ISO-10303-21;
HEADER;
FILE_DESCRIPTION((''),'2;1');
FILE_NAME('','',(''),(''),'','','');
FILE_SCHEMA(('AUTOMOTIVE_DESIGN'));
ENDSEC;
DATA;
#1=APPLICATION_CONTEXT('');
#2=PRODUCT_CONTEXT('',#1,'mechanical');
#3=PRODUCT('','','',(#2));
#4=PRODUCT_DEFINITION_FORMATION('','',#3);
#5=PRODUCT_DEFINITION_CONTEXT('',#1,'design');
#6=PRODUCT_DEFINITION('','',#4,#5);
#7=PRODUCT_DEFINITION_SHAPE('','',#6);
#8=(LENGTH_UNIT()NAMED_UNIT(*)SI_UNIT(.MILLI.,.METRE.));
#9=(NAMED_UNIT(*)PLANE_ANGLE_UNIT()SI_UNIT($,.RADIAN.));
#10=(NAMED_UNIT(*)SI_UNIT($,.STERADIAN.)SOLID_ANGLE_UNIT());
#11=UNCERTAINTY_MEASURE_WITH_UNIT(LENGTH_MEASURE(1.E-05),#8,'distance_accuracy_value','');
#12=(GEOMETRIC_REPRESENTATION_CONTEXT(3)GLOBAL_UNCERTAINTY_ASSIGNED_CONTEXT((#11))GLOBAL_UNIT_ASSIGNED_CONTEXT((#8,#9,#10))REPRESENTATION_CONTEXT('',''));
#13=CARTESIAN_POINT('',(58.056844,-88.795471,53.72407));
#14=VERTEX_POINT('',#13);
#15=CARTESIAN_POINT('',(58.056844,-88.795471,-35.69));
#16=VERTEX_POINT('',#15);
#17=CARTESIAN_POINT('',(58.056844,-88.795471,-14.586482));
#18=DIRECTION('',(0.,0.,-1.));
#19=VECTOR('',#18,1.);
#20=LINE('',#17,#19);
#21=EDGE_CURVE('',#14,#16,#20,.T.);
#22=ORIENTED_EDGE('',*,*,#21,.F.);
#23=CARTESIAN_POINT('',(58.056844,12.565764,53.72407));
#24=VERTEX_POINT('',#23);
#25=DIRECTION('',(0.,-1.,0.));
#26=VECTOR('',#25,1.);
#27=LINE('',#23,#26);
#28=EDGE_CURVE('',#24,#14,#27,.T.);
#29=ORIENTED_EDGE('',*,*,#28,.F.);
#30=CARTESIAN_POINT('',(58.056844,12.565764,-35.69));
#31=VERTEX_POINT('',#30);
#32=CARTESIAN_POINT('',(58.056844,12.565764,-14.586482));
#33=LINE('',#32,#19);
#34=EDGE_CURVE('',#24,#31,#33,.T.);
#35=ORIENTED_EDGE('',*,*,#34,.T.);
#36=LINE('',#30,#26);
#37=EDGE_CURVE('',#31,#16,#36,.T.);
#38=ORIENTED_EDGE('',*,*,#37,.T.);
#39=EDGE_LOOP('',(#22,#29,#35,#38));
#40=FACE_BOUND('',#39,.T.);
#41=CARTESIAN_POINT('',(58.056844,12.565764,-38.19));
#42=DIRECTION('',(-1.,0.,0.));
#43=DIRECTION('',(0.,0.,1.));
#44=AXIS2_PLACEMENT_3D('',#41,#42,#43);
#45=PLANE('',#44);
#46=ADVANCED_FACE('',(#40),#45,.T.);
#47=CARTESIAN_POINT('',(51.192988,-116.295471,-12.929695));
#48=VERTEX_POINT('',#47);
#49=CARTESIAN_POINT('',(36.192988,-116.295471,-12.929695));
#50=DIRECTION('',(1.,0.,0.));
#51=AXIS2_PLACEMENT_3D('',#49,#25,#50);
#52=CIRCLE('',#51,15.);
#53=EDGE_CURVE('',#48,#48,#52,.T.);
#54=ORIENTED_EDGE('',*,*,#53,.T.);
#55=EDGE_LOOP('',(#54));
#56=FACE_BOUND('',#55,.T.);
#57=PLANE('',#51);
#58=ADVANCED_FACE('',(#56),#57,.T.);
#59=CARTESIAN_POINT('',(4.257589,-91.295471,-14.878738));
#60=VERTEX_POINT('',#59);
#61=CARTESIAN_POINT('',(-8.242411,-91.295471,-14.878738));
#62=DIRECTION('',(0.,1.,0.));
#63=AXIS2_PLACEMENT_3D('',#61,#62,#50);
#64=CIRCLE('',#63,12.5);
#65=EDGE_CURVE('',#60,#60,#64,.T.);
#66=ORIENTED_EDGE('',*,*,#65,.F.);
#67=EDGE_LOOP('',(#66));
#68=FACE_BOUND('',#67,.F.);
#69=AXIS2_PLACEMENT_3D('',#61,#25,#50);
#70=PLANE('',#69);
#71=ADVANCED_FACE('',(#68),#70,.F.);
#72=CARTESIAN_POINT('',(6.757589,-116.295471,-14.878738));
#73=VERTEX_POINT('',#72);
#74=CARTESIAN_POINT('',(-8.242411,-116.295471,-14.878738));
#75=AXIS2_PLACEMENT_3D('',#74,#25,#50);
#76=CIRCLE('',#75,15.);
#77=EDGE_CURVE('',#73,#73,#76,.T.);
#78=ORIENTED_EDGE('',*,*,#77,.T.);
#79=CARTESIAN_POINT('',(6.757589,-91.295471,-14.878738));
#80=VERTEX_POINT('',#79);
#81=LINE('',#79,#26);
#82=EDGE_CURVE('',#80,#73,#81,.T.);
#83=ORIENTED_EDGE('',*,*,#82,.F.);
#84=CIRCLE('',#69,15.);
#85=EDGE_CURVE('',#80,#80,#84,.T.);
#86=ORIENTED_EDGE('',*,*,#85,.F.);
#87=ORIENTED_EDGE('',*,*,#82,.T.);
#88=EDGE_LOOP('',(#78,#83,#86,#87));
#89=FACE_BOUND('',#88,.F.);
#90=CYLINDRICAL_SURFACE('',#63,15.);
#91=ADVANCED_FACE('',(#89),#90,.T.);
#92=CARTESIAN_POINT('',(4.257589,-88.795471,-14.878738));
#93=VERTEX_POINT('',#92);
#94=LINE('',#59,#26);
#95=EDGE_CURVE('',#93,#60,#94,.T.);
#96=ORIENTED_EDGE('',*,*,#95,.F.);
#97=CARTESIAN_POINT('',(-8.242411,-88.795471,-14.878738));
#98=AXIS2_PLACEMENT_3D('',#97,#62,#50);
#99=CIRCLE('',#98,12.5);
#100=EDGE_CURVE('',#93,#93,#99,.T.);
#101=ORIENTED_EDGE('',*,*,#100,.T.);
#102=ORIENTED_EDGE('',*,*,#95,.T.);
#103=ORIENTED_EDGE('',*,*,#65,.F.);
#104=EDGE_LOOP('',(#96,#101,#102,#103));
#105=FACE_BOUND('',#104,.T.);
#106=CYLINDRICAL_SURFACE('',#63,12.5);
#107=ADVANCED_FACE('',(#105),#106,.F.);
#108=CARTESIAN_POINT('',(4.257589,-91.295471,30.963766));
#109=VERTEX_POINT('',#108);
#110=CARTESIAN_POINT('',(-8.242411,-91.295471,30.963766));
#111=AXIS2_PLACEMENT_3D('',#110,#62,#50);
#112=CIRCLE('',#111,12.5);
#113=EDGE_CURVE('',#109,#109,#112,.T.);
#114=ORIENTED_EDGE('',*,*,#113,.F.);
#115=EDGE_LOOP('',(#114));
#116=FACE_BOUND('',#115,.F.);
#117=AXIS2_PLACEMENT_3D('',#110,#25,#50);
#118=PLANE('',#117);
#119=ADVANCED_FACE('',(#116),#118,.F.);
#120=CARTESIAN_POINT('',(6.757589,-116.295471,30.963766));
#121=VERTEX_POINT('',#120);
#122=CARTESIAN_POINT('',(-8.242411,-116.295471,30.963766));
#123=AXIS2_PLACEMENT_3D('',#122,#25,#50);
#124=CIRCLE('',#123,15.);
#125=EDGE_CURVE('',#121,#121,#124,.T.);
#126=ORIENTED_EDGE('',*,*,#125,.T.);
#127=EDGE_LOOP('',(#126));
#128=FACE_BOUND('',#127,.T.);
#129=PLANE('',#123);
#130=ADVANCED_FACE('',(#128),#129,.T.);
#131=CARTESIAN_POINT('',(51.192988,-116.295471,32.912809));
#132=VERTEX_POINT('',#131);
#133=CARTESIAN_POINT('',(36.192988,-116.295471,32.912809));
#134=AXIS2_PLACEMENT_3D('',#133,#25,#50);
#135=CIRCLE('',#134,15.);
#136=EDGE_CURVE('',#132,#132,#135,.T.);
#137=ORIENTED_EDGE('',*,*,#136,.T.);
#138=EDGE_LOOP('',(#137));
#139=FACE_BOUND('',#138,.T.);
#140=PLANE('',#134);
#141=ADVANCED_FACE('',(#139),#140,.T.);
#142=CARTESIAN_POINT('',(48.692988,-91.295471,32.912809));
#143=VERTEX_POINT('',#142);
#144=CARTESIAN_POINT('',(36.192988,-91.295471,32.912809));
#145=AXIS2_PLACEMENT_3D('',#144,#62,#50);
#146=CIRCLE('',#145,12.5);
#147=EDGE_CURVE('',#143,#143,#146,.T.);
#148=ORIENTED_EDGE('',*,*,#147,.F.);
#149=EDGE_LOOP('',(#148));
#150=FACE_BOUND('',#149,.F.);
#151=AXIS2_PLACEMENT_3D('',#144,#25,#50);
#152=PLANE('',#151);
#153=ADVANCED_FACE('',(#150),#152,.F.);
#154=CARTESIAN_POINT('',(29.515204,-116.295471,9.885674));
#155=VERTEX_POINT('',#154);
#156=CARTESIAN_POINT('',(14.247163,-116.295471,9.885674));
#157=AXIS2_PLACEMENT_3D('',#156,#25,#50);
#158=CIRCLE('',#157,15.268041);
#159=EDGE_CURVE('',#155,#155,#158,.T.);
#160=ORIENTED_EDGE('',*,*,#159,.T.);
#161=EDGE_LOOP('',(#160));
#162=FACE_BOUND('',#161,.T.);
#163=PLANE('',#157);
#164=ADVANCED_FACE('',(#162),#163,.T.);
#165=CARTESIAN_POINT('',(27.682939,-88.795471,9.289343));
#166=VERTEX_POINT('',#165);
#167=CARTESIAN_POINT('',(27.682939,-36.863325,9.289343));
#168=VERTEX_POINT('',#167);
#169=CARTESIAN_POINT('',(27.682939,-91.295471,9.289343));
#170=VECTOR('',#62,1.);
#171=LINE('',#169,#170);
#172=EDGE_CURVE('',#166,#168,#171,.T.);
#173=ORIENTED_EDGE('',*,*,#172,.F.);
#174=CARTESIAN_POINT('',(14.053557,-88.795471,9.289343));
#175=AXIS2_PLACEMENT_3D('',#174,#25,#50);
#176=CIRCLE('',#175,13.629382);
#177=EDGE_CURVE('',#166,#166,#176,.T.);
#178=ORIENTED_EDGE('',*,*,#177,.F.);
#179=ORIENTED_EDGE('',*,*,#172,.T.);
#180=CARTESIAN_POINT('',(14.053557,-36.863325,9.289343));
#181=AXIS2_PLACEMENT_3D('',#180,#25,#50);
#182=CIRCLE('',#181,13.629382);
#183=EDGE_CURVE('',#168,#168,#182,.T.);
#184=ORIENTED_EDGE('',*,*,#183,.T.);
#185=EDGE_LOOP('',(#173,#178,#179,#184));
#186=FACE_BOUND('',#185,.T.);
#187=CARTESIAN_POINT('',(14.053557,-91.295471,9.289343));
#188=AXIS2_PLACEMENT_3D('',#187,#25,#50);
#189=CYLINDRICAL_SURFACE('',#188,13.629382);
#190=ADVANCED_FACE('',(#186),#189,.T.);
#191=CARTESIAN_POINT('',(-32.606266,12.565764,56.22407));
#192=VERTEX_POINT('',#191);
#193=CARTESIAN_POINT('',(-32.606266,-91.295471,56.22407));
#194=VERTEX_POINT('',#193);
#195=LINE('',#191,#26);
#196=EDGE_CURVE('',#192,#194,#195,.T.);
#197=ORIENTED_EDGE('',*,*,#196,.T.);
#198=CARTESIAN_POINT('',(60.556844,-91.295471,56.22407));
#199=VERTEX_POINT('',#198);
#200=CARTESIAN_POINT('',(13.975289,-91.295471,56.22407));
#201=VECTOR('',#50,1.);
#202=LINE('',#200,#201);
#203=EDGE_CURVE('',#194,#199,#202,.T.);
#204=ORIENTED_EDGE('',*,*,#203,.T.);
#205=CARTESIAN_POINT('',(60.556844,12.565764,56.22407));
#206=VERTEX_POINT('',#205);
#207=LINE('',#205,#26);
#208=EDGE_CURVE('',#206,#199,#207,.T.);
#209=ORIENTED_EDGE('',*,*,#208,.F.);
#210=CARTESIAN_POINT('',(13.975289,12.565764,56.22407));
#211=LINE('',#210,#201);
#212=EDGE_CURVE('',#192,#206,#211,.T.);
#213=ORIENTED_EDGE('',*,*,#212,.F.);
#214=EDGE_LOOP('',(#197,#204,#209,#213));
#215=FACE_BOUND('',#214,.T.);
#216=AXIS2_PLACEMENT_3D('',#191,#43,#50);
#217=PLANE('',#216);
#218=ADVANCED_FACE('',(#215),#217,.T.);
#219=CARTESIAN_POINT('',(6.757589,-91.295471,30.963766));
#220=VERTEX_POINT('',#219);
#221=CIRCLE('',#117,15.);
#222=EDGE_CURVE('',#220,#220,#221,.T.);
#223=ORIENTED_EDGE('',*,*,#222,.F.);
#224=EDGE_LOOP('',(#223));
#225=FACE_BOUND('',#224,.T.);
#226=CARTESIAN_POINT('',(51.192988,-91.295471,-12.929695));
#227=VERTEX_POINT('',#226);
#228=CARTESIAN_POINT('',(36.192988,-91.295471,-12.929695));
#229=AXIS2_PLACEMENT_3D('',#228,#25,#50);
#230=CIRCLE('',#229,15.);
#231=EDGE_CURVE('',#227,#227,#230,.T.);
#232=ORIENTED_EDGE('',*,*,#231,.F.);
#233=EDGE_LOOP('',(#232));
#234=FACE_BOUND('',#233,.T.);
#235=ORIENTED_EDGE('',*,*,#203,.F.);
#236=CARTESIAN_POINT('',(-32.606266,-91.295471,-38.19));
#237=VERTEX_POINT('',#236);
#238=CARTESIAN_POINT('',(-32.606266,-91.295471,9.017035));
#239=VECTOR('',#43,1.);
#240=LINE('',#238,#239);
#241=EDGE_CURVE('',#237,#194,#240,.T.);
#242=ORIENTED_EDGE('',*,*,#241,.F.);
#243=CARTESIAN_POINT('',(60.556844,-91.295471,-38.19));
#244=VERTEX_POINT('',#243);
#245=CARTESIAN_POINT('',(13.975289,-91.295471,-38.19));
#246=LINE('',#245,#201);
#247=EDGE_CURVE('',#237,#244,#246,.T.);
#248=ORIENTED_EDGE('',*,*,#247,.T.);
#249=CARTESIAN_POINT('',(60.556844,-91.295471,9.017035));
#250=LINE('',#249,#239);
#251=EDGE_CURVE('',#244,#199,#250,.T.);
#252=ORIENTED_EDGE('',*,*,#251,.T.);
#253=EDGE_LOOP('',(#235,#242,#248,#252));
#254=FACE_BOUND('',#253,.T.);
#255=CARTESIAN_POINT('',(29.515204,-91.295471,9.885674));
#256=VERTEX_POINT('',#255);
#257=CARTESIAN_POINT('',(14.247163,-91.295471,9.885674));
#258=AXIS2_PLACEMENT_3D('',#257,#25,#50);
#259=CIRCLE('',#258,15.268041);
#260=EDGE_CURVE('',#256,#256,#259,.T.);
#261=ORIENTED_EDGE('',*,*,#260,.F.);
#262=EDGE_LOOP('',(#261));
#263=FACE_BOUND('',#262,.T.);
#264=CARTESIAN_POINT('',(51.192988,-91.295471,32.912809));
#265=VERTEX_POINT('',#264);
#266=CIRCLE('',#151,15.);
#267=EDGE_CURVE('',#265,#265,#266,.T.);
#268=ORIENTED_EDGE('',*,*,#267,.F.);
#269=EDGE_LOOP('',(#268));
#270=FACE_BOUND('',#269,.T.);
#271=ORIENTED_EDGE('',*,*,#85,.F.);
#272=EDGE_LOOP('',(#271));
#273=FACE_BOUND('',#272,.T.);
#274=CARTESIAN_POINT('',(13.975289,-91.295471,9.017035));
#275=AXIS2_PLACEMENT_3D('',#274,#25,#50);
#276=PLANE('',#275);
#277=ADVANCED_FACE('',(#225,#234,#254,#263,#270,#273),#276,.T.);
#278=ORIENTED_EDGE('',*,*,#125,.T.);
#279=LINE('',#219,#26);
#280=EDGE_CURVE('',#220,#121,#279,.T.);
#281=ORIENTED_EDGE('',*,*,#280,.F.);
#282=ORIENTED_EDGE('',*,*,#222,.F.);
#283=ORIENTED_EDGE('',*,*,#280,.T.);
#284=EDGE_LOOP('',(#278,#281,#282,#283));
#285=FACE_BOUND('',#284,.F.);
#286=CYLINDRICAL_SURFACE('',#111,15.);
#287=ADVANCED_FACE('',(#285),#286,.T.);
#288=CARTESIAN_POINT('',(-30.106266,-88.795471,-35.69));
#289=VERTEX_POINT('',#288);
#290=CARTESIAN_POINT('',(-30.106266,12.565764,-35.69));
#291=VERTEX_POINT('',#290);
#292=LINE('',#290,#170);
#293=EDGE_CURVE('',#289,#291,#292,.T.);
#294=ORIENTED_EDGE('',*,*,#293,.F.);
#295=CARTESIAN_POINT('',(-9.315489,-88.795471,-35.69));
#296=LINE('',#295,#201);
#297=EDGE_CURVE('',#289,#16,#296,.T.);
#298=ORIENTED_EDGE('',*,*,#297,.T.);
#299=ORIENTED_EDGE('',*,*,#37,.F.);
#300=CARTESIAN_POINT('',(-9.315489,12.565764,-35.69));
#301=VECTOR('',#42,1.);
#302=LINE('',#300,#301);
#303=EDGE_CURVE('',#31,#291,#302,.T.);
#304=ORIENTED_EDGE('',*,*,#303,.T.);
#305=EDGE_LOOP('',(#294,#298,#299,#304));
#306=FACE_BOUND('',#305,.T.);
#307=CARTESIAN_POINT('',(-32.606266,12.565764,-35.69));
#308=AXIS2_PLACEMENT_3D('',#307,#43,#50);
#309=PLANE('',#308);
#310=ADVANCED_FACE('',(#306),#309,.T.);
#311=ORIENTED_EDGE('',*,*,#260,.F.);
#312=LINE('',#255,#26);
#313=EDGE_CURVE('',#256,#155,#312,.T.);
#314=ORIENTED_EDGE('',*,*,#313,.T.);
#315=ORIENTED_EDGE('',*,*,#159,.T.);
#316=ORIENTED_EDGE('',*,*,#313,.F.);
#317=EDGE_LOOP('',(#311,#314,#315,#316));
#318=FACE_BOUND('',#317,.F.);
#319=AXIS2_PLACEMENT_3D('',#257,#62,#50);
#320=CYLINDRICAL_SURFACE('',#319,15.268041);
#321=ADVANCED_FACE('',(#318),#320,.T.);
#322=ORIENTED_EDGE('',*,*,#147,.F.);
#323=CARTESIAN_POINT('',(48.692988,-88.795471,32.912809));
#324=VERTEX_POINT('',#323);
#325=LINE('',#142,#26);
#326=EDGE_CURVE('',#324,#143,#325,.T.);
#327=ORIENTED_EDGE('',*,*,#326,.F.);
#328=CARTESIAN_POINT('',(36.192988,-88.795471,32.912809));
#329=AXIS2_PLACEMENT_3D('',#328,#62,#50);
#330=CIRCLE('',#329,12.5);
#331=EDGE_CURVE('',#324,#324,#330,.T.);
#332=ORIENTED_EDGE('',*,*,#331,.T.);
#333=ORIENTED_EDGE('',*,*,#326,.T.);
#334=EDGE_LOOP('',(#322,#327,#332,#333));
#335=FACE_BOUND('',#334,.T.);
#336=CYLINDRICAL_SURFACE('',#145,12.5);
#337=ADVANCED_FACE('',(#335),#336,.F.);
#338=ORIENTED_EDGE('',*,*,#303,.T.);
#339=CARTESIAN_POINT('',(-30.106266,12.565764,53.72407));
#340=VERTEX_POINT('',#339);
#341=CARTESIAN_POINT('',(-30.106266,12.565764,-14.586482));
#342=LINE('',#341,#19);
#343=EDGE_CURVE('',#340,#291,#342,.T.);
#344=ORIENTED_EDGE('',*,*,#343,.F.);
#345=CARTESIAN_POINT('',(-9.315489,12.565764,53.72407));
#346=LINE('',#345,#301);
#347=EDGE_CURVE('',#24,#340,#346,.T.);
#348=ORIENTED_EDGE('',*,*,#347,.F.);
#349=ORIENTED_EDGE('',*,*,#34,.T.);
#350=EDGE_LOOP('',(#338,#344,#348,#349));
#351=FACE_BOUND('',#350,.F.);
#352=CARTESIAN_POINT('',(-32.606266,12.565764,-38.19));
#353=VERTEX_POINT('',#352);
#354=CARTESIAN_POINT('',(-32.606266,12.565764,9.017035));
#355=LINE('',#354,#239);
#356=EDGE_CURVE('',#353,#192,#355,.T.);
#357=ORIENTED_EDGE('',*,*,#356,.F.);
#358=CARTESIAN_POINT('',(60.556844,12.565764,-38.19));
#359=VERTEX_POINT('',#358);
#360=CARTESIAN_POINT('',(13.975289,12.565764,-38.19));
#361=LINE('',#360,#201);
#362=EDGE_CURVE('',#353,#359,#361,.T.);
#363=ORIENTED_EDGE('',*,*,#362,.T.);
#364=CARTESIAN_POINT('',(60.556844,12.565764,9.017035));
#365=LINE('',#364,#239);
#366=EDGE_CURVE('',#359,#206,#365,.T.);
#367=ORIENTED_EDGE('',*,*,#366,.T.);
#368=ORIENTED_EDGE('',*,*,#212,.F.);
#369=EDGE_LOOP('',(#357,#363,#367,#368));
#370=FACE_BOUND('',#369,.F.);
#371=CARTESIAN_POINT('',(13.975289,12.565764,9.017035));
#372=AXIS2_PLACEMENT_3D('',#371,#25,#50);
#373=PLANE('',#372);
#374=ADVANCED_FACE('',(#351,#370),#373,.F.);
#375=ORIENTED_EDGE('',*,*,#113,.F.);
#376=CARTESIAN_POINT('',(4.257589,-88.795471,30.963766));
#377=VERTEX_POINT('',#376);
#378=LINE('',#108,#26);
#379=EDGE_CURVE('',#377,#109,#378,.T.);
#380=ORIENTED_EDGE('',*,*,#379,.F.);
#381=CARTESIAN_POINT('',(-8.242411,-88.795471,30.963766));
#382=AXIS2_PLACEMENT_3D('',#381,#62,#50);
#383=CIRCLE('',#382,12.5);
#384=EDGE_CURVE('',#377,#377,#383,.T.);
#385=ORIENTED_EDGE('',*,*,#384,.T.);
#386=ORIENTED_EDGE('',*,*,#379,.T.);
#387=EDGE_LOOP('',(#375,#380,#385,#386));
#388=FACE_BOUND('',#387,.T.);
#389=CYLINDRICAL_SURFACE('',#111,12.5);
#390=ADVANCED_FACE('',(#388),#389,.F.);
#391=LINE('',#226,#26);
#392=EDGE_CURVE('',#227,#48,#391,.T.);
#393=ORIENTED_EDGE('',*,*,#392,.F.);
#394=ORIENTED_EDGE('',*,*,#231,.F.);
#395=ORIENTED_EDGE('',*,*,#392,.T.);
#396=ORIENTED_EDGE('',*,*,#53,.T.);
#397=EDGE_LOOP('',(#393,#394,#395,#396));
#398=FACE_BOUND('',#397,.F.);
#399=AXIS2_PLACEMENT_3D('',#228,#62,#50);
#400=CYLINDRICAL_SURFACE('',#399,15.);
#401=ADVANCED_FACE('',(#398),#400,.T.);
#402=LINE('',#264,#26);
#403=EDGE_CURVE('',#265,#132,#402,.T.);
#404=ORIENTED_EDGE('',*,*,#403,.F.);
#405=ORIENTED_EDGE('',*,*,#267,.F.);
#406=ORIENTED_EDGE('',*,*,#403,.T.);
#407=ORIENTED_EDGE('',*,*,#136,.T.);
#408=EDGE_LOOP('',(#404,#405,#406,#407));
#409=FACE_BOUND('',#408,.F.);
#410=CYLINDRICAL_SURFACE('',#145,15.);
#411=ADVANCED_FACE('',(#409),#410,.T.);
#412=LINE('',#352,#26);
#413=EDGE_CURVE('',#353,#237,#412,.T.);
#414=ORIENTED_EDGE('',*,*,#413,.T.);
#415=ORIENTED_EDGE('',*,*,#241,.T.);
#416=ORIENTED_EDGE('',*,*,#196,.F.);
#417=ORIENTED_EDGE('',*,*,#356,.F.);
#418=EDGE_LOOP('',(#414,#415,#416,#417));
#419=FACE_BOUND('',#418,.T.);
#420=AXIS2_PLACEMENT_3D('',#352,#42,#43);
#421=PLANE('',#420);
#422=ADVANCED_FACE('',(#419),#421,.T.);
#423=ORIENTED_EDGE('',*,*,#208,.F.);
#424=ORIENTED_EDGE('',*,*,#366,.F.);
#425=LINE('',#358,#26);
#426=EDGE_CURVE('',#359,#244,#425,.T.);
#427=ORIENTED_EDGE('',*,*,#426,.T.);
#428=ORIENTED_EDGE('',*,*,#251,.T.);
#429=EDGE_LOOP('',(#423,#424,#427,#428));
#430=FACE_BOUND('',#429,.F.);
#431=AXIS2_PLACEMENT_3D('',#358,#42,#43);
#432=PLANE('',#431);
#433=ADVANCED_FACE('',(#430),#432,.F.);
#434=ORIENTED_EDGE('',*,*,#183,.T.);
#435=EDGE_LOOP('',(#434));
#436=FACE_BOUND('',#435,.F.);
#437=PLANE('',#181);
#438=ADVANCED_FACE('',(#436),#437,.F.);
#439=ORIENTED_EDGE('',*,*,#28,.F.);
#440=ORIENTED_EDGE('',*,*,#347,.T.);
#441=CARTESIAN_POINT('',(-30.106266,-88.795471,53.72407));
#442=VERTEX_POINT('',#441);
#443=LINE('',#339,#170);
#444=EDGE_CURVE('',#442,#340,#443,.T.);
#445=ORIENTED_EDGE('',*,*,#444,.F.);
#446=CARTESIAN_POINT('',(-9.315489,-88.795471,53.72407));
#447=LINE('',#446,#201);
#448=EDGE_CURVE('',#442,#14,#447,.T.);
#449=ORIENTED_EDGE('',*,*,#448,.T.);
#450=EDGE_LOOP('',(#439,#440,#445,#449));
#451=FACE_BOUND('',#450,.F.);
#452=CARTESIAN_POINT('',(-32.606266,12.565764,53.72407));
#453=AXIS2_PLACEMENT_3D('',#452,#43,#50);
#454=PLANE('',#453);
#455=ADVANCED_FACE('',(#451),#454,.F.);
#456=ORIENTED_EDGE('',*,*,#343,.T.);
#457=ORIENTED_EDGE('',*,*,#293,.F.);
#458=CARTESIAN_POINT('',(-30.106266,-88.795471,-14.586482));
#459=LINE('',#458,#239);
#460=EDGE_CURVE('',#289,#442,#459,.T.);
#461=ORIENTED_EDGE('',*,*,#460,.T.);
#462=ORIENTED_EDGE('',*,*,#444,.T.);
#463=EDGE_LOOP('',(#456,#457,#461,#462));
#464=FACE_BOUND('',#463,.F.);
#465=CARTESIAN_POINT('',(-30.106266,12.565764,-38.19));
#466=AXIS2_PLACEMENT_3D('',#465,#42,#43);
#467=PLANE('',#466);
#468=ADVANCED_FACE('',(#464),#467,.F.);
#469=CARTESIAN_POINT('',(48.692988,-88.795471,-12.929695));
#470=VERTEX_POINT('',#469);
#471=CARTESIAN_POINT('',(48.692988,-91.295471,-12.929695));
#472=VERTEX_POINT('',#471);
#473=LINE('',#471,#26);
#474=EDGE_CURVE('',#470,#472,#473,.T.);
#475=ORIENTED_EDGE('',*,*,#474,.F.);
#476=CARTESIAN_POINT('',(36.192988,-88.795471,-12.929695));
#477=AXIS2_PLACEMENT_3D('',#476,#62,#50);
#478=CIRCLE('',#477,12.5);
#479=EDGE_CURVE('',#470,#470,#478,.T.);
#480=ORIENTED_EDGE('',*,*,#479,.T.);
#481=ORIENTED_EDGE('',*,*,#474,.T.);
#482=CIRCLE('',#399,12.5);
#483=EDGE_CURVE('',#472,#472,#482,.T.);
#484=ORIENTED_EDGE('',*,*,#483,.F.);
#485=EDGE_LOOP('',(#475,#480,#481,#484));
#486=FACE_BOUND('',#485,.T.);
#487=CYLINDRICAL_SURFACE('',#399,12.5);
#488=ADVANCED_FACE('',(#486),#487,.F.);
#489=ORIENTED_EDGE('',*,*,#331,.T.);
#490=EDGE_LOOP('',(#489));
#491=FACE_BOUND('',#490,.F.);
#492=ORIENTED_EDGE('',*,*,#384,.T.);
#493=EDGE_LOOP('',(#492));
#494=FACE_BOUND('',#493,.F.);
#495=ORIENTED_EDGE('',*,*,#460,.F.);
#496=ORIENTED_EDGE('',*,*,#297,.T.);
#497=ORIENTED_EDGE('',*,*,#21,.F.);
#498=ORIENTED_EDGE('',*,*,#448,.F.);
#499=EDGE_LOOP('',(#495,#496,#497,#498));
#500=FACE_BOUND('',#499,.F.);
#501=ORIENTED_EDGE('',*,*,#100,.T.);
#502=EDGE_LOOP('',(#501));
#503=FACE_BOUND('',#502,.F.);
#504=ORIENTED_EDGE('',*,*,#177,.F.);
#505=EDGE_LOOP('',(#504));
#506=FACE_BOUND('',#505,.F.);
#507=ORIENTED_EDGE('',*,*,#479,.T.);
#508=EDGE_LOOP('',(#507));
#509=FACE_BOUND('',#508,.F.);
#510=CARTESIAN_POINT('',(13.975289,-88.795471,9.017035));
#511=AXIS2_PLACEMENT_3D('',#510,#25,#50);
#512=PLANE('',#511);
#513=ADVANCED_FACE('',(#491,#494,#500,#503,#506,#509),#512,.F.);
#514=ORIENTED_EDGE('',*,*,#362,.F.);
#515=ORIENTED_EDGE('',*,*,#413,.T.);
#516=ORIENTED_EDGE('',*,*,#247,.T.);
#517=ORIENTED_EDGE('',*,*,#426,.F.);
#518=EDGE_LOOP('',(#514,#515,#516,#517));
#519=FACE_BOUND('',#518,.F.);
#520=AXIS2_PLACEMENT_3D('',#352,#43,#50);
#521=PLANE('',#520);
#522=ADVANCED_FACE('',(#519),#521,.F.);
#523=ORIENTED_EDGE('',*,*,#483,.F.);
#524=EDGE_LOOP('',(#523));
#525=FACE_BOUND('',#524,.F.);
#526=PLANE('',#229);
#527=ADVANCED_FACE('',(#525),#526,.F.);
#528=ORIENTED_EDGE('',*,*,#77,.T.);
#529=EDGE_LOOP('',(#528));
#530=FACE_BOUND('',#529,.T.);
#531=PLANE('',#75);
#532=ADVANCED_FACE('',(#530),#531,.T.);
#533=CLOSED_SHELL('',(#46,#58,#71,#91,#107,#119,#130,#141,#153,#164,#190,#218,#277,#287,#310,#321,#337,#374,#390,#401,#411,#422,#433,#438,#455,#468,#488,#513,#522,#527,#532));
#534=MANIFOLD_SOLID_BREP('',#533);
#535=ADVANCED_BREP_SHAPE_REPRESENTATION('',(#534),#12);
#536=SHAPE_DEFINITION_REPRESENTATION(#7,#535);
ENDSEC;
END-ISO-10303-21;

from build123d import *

# Parameters (mm, degrees)
F1_W      = 93.1631103158
F1_H      = 94.4140702486
F2_DEPTH  = 103.8612350821
F3_R      = 15
F4_DEPTH  = 25
F5_T      = -2.5
F6_DEPTH  = 25
F7_R      = 15.2680412387
F8_DEPTH  = 25
F9_R      = 13.6293819141
F10_DEPTH = 54.4321462512


with BuildPart() as f2:
    # F1 (on offset) → F2 (new body)
    with BuildSketch(Plane.XZ.offset(-12.5657636672)):
        with Locations((13.9752887189, 9.0170353651)):
            Rectangle(F1_W, F1_H)
    extrude(amount=F2_DEPTH)

    # F3 (on face) → F4 (join)
    with BuildSketch(Plane.XZ.offset(91.2954714149)):
        with Locations((36.1929880455, 32.9128091689)):
            Circle(F3_R)
        with Locations((36.1929880455, -12.9296954255)):
            Circle(F3_R)
        with Locations((-8.2424106076, -14.8787384387)):
            Circle(F3_R)
        with Locations((-8.2424106076, 30.9637661558)):
            Circle(F3_R)
    extrude(amount=F4_DEPTH)

    # F5
    f5_openings = [f2.faces().sort_by_distance(p)[0] for p in [
        (13.975289, 12.565764, 9.017035),
    ]]
    offset(amount=F5_T, openings=f5_openings, kind=Kind.INTERSECTION)

    # F3 (on face) → F6 (join)
    with BuildSketch(Plane.XZ.offset(91.2954714149)):
        with Locations((36.1929880455, 32.9128091689)):
            Circle(F3_R)
        with Locations((36.1929880455, -12.9296954255)):
            Circle(F3_R)
        with Locations((-8.2424106076, -14.8787384387)):
            Circle(F3_R)
        with Locations((-8.2424106076, 30.9637661558)):
            Circle(F3_R)
    extrude(amount=F6_DEPTH)

    # F7 (on face) → F8 (join)
    with BuildSketch(Plane.XZ.offset(91.2954714149)):
        with Locations((14.2471631989, 9.8856743425)):
            Circle(F7_R)
    extrude(amount=F8_DEPTH)

    # F9 (on face) → F10 (join)
    with BuildSketch(Plane.XZ.offset(91.2954714149)):
        with Locations((14.0535570681, 9.2893429101)):
            Circle(F9_R)
    extrude(amount=-F10_DEPTH)


solid = f2.part
